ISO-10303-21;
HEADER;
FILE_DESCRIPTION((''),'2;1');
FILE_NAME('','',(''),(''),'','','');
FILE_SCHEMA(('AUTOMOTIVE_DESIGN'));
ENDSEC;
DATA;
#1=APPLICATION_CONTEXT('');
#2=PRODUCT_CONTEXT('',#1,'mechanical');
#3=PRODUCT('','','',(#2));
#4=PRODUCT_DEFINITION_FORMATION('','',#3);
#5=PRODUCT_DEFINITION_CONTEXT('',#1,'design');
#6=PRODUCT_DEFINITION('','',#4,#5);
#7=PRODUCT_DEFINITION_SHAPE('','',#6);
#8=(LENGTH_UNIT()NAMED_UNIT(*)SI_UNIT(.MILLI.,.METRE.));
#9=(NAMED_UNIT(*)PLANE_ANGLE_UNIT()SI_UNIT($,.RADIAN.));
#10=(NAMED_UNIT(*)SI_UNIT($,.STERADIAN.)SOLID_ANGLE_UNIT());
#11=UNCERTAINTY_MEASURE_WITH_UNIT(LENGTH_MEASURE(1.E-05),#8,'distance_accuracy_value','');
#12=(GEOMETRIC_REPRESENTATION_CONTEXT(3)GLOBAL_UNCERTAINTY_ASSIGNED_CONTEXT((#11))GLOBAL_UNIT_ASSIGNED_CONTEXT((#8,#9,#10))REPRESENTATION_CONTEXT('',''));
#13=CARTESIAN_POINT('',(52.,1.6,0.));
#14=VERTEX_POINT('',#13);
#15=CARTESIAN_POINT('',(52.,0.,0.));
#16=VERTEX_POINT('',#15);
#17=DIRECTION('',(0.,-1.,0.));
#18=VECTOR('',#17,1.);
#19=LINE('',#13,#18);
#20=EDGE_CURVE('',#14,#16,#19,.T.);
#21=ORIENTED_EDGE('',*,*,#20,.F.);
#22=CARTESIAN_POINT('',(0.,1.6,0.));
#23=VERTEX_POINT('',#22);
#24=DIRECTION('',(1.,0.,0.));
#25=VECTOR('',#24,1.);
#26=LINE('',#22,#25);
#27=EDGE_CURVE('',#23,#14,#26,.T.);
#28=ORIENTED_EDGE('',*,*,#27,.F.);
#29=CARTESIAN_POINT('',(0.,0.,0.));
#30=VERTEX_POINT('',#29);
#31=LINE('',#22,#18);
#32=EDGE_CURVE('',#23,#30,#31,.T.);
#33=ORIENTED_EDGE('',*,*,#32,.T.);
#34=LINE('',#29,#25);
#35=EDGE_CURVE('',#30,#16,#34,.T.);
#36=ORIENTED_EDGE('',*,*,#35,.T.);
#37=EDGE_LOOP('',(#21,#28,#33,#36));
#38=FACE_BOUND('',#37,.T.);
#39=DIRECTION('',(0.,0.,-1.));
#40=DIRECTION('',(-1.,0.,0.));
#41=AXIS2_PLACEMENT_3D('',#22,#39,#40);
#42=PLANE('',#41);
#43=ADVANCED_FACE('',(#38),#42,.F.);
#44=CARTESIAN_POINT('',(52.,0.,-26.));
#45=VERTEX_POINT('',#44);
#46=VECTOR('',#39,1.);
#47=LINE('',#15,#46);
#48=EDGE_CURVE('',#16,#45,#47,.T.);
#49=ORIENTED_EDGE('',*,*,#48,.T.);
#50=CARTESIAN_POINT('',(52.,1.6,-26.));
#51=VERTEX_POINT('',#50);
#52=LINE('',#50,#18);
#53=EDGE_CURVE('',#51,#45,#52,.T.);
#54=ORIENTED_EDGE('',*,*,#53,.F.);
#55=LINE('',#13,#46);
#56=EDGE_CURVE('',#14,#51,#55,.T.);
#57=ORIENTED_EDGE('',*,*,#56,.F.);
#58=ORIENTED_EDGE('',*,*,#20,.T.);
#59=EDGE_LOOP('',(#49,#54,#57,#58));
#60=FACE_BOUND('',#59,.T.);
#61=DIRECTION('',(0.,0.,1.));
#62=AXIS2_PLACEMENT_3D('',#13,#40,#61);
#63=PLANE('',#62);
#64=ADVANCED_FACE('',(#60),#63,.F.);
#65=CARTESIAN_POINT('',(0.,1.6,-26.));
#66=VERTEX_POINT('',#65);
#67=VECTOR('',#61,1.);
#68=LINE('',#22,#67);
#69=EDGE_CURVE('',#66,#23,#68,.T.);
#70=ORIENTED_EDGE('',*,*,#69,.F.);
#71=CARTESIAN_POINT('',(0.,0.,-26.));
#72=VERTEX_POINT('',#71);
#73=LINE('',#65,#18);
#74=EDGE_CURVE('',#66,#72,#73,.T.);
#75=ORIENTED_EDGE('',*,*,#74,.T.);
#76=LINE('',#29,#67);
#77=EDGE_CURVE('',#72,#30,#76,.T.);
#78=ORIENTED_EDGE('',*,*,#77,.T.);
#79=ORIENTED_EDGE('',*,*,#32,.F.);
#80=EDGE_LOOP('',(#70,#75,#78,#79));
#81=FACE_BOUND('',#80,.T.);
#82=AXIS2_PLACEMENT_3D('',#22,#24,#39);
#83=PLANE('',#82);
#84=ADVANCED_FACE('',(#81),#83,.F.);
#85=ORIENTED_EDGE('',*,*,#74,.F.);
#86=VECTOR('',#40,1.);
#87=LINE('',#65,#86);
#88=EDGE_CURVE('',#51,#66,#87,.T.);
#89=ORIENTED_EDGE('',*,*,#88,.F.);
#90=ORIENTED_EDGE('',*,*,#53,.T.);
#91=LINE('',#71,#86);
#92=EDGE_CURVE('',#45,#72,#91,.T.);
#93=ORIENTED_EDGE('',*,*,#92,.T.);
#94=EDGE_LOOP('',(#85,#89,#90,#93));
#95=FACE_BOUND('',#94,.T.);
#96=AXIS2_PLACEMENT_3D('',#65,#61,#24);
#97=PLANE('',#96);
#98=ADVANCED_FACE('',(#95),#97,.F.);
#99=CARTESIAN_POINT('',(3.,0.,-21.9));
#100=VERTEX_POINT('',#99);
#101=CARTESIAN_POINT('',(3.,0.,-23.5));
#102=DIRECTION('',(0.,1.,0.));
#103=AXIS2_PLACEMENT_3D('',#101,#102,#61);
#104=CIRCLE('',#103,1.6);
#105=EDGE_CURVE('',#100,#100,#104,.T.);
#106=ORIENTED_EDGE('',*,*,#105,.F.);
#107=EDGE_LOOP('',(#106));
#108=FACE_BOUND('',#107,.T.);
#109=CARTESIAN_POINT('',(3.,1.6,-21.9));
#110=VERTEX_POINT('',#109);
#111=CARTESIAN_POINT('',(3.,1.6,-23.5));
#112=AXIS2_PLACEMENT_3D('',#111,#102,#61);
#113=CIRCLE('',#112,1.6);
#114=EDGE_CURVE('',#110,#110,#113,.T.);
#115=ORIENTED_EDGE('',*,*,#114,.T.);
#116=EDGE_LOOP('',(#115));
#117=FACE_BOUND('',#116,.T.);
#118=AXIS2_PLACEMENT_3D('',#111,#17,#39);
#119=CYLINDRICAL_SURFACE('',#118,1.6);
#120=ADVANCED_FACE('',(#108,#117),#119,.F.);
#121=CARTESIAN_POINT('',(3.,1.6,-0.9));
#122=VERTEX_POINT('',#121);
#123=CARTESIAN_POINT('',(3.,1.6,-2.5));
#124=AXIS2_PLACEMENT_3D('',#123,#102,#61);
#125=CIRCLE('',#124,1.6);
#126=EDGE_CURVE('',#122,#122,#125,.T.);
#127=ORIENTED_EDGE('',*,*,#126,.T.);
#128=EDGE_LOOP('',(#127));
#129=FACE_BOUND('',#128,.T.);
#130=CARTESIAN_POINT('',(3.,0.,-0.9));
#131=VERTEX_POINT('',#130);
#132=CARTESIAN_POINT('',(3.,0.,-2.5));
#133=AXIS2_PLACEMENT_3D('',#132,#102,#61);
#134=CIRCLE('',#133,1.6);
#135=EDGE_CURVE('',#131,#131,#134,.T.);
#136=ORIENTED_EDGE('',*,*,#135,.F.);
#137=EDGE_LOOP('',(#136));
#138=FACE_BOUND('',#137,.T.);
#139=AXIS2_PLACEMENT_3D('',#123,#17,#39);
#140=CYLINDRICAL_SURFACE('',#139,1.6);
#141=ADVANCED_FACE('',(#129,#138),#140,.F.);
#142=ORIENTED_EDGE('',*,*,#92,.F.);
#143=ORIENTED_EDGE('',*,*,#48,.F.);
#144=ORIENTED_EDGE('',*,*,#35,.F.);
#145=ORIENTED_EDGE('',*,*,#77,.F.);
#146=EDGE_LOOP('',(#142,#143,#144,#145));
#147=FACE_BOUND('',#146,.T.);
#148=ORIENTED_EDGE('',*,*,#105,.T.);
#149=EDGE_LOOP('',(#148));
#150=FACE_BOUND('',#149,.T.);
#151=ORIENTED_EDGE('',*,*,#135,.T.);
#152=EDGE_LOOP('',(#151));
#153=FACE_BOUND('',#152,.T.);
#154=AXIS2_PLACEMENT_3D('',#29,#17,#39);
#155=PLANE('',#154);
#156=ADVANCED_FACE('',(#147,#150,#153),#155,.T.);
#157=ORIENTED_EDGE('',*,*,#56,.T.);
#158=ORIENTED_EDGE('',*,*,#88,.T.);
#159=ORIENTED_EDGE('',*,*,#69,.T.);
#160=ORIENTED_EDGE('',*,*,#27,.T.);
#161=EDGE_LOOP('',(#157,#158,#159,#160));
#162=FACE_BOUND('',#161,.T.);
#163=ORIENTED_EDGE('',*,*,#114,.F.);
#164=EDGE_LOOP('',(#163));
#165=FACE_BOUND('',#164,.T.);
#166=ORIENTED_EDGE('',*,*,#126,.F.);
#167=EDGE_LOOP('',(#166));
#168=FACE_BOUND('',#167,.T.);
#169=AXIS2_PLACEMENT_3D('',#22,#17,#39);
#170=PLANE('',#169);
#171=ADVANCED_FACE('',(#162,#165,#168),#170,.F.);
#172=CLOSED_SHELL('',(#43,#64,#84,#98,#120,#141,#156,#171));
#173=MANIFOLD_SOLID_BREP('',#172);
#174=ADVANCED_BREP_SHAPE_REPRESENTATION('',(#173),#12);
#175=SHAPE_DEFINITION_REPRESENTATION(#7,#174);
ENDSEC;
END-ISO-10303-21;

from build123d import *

# Parameters (mm, degrees)
SKETCH1_W           = 52
SKETCH1_H           = 26
SKETCH1_R           = 1.6
BOSS_EXTRUDE1_DEPTH = 1.6


with BuildPart() as part:
    # Sketch1 → Boss-Extrude1 (new body)
    with BuildSketch(Plane(origin=(0, 0, 0), x_dir=(1, 0, 0), z_dir=(0, 1, 0))):
        with Locations((26, 13)):
            Rectangle(SKETCH1_W, SKETCH1_H)
        with Locations((3, 23.5)):
            Circle(SKETCH1_R, mode=Mode.SUBTRACT)
        with Locations((3, 2.5)):
            Circle(SKETCH1_R, mode=Mode.SUBTRACT)
    extrude(amount=BOSS_EXTRUDE1_DEPTH)


solid = part.part
